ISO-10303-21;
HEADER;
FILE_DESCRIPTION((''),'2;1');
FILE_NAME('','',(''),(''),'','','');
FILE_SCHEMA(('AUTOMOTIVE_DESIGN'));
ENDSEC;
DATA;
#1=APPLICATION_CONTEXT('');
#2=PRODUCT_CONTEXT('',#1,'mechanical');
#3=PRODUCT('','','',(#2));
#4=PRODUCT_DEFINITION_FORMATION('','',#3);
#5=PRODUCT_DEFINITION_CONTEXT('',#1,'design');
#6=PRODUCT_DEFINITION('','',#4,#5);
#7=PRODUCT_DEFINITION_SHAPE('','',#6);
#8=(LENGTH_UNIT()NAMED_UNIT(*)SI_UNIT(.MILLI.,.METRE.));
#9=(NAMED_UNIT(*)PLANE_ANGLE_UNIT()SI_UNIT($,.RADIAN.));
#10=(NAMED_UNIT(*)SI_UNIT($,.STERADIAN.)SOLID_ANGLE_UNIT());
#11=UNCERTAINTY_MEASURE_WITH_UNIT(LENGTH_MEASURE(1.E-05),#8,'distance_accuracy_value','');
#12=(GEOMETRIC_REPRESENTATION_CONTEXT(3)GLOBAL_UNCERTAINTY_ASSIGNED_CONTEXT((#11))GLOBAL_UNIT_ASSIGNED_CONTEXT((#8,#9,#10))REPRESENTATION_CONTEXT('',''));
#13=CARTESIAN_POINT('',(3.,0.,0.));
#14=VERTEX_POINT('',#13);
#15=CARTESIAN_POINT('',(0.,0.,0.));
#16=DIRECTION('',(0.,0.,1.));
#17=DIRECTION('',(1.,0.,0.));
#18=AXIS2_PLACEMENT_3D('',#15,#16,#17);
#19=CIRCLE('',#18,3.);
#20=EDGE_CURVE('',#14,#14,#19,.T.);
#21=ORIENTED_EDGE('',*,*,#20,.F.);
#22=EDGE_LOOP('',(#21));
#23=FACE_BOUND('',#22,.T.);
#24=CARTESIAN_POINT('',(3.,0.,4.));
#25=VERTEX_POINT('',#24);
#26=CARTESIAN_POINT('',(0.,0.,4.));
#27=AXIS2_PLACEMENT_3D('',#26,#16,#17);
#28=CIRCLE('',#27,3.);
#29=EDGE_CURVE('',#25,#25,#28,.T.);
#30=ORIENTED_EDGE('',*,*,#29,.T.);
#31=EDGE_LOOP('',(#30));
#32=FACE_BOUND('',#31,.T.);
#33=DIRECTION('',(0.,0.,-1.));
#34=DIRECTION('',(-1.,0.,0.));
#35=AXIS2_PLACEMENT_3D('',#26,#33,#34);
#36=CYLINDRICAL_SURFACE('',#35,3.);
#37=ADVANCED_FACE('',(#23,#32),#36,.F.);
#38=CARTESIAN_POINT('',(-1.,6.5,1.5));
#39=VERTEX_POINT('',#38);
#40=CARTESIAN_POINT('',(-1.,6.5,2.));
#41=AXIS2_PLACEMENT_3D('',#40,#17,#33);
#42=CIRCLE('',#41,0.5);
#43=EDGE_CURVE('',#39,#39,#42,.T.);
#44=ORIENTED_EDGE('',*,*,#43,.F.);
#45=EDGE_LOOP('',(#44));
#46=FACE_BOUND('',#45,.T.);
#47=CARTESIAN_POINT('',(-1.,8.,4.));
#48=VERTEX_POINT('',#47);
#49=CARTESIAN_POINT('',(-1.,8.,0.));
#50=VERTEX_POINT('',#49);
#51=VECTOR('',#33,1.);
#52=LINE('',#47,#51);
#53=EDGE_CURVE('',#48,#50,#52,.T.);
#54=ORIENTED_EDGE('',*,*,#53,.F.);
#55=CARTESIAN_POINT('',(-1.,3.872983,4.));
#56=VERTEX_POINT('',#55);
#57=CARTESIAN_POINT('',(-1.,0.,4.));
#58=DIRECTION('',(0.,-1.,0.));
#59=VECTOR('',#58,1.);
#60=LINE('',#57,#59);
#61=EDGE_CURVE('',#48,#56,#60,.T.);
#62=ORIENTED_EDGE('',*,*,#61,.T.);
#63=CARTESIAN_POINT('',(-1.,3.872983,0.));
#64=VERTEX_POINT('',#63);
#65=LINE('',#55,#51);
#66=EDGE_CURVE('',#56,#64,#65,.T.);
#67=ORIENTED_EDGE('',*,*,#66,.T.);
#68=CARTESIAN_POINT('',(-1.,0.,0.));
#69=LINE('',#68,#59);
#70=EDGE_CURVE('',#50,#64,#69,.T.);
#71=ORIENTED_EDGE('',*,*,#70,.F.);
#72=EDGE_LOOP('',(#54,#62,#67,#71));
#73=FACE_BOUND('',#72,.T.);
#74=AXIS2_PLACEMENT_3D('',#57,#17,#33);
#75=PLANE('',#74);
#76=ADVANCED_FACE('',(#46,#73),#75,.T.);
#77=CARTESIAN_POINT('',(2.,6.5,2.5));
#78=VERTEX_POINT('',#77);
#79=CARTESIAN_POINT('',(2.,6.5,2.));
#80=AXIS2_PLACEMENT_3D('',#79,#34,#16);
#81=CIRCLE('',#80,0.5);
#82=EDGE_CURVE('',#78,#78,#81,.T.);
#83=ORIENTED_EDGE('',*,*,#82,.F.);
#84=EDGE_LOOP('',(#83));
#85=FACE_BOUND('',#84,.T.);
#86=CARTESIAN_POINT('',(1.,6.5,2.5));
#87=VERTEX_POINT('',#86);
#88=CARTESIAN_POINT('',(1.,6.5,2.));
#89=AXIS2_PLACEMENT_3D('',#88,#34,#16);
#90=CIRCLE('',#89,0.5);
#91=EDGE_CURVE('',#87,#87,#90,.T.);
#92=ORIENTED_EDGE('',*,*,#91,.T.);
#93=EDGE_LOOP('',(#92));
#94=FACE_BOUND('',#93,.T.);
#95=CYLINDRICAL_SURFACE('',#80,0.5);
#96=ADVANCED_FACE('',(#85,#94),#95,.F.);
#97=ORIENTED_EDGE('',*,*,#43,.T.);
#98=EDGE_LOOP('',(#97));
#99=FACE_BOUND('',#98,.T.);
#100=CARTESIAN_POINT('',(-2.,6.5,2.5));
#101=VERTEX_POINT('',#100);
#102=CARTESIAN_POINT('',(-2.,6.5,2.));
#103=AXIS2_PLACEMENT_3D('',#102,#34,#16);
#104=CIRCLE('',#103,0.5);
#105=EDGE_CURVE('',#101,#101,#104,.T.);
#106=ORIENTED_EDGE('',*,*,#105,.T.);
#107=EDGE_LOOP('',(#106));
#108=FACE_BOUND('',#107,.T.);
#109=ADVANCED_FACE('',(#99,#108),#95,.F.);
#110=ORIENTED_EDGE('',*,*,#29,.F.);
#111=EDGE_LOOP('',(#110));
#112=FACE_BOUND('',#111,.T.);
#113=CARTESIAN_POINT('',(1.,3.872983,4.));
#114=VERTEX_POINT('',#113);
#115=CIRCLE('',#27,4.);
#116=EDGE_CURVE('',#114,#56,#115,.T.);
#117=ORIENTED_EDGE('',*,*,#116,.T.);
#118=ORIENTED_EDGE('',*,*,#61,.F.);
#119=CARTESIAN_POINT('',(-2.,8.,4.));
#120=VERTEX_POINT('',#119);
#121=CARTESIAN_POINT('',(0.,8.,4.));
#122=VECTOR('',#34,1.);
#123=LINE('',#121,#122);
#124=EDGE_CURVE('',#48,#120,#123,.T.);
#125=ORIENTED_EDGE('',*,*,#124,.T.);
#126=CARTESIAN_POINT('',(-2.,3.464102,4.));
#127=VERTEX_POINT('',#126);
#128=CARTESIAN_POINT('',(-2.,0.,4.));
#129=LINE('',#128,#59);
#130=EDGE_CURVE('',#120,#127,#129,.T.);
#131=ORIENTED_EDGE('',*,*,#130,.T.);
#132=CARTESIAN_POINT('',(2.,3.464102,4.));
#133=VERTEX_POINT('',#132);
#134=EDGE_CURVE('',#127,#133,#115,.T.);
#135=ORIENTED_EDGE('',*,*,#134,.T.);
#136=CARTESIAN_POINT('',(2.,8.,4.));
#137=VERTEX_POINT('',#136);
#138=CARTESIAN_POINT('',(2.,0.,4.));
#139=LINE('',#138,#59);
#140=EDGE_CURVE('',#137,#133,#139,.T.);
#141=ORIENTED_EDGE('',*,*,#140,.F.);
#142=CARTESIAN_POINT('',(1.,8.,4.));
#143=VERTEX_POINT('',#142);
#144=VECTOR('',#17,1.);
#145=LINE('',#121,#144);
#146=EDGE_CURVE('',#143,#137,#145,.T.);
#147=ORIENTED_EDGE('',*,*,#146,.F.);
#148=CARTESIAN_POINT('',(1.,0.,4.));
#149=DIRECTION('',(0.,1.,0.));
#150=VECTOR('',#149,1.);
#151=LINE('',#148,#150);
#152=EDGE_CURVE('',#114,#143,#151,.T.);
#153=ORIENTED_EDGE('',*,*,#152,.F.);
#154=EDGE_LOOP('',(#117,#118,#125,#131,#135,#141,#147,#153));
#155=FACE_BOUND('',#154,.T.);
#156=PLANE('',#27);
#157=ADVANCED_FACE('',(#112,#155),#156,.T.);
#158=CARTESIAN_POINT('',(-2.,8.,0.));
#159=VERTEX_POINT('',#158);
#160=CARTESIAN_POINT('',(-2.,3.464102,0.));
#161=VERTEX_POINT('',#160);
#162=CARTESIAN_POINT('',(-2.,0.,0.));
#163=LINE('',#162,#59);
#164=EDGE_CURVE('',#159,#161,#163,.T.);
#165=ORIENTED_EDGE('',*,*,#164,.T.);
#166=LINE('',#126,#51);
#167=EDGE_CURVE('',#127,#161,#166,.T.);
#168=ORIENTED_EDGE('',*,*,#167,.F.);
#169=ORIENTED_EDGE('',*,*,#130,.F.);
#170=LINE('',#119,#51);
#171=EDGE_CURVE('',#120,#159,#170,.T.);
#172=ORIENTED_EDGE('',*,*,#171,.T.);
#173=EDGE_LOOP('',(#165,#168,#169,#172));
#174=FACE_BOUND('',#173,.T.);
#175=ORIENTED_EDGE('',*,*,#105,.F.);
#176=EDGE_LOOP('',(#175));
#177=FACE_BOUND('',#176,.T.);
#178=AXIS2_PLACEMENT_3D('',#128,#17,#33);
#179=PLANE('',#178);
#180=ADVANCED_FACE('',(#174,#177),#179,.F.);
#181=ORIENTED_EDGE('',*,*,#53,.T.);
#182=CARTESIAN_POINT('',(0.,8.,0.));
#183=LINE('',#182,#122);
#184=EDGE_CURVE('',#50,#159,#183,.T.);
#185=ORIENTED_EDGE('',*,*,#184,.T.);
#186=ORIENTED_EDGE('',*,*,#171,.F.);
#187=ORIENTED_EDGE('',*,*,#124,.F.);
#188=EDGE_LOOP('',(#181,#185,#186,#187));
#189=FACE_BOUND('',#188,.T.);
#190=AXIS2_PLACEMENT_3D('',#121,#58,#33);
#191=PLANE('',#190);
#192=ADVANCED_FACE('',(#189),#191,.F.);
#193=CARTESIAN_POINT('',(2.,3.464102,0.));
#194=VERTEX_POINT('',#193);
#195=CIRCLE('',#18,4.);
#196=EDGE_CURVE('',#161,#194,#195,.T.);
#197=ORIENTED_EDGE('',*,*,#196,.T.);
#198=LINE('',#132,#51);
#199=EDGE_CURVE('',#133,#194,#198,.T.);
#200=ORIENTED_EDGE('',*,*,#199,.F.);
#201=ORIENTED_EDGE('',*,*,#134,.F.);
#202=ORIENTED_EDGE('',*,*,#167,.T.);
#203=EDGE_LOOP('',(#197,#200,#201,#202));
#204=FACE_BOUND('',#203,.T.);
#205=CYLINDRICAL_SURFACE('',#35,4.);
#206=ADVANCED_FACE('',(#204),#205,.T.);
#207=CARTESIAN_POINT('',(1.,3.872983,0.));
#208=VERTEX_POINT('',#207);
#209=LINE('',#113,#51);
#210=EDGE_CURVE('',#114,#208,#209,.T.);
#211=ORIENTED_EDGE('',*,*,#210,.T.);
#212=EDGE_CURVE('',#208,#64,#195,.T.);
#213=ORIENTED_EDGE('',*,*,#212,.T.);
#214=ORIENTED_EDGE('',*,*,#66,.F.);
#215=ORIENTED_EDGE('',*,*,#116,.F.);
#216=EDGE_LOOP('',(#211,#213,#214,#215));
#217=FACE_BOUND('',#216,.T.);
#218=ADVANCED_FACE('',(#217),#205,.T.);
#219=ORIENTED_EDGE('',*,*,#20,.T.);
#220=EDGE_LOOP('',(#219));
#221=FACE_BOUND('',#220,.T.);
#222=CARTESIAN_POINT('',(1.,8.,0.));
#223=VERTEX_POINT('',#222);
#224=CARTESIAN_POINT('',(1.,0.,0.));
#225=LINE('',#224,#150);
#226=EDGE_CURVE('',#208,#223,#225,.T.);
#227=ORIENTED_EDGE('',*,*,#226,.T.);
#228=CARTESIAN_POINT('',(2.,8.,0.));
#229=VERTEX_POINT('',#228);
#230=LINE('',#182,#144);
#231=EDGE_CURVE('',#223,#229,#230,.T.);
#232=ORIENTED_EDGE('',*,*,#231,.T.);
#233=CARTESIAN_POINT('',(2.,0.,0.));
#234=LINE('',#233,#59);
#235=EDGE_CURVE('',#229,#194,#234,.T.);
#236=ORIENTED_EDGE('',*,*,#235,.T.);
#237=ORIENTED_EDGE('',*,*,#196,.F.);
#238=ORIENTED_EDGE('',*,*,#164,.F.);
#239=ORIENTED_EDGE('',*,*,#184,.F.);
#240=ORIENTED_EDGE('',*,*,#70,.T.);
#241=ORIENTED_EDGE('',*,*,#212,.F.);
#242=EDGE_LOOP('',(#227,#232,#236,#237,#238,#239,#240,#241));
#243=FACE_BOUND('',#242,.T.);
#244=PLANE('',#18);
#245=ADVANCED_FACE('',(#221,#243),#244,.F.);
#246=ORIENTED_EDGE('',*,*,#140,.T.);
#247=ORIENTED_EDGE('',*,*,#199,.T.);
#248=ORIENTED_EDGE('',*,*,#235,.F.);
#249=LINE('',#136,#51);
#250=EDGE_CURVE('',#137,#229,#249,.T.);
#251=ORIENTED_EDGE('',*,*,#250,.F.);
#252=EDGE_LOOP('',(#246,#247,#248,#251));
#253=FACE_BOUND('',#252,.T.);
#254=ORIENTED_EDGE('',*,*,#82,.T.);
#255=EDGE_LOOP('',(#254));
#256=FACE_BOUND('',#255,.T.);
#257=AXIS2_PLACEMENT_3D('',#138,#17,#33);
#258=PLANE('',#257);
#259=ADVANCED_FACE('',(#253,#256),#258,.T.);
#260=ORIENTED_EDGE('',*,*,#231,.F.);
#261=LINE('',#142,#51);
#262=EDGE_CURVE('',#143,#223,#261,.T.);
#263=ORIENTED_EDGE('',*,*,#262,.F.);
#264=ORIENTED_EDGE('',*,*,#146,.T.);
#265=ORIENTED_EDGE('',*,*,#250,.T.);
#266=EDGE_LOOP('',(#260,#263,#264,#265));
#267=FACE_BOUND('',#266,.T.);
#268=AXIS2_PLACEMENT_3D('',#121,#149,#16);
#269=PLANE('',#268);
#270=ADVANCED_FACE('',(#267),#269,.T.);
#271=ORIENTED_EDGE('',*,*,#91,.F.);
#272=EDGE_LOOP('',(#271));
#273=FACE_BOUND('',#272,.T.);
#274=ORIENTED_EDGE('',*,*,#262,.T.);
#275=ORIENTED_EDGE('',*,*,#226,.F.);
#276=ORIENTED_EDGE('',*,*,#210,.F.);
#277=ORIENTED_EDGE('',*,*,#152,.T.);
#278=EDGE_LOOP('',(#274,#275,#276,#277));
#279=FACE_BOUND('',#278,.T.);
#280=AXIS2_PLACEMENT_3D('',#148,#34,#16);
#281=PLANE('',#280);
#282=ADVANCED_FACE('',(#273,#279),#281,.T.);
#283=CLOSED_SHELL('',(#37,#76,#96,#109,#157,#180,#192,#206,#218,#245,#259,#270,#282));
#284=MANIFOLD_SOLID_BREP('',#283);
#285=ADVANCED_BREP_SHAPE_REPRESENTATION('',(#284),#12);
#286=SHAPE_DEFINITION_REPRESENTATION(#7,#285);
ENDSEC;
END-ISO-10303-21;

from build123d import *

# Parameters (mm, degrees)
EXTRUDE_4_DEPTH     = 4
SKETCH_5_R          = 0.5
CUT_EXTRUDE_2_DEPTH = 4


with BuildPart() as part:
    # 草图1 → 凸台-拉伸4 (new body)
    with BuildSketch(Plane.XY):
        with BuildLine():
            Line((2, 3.464101615), (2, 2.236067977))
            ThreePointArc((2, 2.236067977), (2.738612788, 1.224744871), (3, 0))
            ThreePointArc((3, 0), (-1.224744871, -2.738612788), (-2, 2.236067977))
            Line((-2, 2.236067977), (-2, 3.464101615))
            ThreePointArc((-2, 3.464101615), (-2, -3.464101615), (4, 0))
            ThreePointArc((4, 0), (3.464101615, 2), (2, 3.464101615))
        make_face()
        with BuildLine():
            Line((1, 3), (0, 3))
            ThreePointArc((0, 3), (1.070466269, 2.802517077), (2, 2.236067977))
            Line((2, 2.236067977), (2, 3.464101615))
            ThreePointArc((2, 3.464101615), (1.513867916, 3.702459174), (1, 3.872983346))
            Line((1, 3.872983346), (1, 3))
        make_face()
        with BuildLine():
            ThreePointArc((-2, 2.236067977), (-1.070466269, 2.802517077), (0, 3))
            Line((0, 3), (-1, 3))
            Line((-1, 3), (-1, 3.872983346))
            ThreePointArc((-1, 3.872983346), (-1.513867916, 3.702459174), (-2, 3.464101615))
            Line((-2, 3.464101615), (-2, 2.236067977))
        make_face()
        with BuildLine():
            Line((-1, 3), (0, 3))
            Line((0, 3), (0, 4))
            ThreePointArc((0, 4), (-0.50401717, 3.968118785), (-1, 3.872983346))
            Line((-1, 3.872983346), (-1, 3))
        make_face()
        with BuildLine():
            Line((0, 4), (0, 3))
            Line((0, 3), (1, 3))
            Line((1, 3), (1, 3.872983346))
            ThreePointArc((1, 3.872983346), (0.50401717, 3.968118785), (0, 4))
        make_face()
        with BuildLine():
            Line((1, 8), (1, 3.872983346))
            ThreePointArc((1, 3.872983346), (1.513867916, 3.702459174), (2, 3.464101615))
            Line((2, 3.464101615), (2, 8))
            Line((2, 8), (1, 8))
        make_face()
        with BuildLine():
            ThreePointArc((-2, 3.464101615), (-1.513867916, 3.702459174), (-1, 3.872983346))
            Line((-1, 3.872983346), (-1, 8))
            Line((-1, 8), (-2, 8))
            Line((-2, 8), (-2, 3.464101615))
        make_face()
    extrude(amount=EXTRUDE_4_DEPTH)

    # 草图5 → 切除-拉伸2 (cut)
    with BuildSketch(Plane.ZY.offset(2)):
        with Locations((2, 6.5)):
            Circle(SKETCH_5_R)
    extrude(amount=-CUT_EXTRUDE_2_DEPTH, mode=Mode.SUBTRACT)


solid = part.part
